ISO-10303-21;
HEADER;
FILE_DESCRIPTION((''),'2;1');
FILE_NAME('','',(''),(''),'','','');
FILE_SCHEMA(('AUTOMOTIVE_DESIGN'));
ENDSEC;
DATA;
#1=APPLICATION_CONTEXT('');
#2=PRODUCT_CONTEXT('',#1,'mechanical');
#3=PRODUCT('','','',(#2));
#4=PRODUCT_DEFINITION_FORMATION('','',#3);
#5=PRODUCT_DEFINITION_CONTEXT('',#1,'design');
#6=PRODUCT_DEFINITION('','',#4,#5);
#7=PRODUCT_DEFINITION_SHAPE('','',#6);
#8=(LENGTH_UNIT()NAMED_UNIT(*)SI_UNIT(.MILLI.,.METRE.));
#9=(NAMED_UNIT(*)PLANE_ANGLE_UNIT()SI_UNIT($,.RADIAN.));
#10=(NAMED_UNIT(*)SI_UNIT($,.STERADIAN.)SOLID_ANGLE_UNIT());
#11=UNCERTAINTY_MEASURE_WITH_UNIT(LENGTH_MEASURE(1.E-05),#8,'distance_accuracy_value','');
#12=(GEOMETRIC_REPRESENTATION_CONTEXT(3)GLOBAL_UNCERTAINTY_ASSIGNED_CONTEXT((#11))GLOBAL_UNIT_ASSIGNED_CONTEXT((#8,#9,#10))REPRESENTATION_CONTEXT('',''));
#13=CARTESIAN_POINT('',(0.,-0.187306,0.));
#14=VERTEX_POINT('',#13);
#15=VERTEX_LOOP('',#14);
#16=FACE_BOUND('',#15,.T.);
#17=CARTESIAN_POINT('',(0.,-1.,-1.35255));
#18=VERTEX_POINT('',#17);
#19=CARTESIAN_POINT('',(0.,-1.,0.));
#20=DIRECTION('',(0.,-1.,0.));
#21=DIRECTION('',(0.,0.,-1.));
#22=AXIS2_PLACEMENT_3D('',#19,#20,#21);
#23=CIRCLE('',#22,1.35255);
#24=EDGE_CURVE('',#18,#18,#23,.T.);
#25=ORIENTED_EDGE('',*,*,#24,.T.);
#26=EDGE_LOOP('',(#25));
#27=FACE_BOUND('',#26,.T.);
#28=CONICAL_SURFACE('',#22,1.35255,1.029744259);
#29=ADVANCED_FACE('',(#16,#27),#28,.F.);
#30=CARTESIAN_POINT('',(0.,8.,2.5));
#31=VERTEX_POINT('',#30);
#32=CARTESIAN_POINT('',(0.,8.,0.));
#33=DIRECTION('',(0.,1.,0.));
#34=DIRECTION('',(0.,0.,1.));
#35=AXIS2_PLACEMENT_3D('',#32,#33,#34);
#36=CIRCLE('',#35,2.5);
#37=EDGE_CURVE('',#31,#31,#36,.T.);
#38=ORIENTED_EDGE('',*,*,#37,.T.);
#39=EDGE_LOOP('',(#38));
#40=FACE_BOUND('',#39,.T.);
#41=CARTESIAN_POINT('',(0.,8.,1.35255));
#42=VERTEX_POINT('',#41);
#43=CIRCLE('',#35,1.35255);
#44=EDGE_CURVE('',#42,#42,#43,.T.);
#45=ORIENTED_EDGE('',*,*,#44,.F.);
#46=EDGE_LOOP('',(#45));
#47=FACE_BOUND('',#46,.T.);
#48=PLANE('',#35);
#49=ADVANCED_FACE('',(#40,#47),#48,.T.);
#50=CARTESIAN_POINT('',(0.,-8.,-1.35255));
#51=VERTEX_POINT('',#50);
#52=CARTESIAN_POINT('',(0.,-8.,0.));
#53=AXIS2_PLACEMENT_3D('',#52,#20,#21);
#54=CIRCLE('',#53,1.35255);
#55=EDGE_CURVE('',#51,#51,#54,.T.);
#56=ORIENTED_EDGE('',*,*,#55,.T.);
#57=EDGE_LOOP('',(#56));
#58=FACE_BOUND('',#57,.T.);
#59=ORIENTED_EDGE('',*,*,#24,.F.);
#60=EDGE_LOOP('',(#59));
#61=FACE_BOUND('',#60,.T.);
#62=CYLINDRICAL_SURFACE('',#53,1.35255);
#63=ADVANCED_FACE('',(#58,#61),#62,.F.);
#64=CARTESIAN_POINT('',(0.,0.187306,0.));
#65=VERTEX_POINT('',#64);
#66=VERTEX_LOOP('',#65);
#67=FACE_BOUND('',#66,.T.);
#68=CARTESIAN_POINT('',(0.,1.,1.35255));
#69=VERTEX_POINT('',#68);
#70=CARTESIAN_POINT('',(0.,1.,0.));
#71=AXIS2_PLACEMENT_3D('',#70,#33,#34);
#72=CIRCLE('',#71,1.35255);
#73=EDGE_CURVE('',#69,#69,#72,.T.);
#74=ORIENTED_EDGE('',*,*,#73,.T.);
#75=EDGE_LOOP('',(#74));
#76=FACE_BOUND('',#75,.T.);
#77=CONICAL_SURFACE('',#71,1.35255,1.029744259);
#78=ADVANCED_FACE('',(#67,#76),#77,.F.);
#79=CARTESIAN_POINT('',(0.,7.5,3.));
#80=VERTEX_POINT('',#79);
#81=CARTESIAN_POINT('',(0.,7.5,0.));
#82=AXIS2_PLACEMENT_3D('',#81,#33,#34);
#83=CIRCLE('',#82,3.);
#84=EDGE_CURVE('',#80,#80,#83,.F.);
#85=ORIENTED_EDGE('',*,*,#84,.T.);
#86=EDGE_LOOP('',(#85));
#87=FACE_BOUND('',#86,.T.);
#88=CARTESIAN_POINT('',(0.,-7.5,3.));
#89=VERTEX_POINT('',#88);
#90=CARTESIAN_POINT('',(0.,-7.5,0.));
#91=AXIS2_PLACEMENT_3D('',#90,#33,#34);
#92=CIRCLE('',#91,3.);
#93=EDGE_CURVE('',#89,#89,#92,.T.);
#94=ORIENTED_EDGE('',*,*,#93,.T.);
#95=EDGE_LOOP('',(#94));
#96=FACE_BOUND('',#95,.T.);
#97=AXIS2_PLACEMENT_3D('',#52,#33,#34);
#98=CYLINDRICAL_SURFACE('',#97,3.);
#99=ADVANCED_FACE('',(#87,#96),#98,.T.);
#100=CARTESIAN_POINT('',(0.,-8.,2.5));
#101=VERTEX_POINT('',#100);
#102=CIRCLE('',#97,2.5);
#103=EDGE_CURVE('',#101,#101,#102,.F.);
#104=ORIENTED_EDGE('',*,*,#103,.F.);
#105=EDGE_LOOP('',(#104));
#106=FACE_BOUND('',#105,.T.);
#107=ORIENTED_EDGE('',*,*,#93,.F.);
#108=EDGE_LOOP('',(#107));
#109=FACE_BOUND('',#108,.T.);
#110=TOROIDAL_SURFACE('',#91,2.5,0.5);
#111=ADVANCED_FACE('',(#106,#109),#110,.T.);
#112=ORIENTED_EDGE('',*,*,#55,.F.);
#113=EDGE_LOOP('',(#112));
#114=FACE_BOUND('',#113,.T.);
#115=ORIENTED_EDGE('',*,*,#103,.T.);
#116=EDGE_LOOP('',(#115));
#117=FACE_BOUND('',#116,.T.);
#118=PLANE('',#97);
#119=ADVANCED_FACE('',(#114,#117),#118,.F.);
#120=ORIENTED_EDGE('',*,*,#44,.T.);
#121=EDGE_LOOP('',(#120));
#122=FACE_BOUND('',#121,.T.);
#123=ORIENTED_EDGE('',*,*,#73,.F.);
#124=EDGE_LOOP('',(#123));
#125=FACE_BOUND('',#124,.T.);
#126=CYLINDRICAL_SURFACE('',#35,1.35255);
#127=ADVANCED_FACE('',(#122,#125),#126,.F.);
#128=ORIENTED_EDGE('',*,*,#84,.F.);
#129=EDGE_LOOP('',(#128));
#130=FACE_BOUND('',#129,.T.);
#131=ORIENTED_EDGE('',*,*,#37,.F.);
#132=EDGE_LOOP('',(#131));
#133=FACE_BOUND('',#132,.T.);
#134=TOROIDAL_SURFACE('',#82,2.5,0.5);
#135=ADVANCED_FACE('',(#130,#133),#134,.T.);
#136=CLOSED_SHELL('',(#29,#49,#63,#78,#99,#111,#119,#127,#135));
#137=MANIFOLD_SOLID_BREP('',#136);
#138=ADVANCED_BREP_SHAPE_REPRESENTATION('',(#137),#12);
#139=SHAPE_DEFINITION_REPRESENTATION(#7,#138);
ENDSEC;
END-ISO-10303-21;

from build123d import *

# Parameters (mm, degrees)
BOSS_EXTRUDE1_DEPTH       = 8
BOSS_EXTRUDE1_DEPTH_BACK  = 8
SKETCH1_R                 = 3
F_6_32_TAPPED_HOLE1_D     = 2.7051
F_6_32_TAPPED_HOLE1_DEPTH = 7
F_6_32_TAPPED_HOLE1_TIP   = 0.81269403
F_6_32_TAPPED_HOLE2_D     = 2.7051
F_6_32_TAPPED_HOLE2_DEPTH = 7
F_6_32_TAPPED_HOLE2_TIP   = 0.81269403
FILLET1_R                 = 0.5


with BuildPart() as part:
    # Sketch1 → Boss-Extrude1 (new, two sides: drawn at the far end of the back side and taken through both)
    with BuildSketch(Plane(origin=(0, 0, 0), x_dir=(1, 0, 0), z_dir=(0, 1, 0)).offset(-BOSS_EXTRUDE1_DEPTH_BACK)):
        Circle(SKETCH1_R)
    extrude(amount=BOSS_EXTRUDE1_DEPTH + BOSS_EXTRUDE1_DEPTH_BACK)

    # #6-32 Tapped Hole1
    with Locations(Plane(origin=(0, 8, 0), x_dir=(1, 0, 0), z_dir=(0, 1, 0))):
        with Locations((0, 0)):
            Hole(F_6_32_TAPPED_HOLE1_D / 2, depth=F_6_32_TAPPED_HOLE1_DEPTH)
            with Locations((0, 0, -(F_6_32_TAPPED_HOLE1_DEPTH + F_6_32_TAPPED_HOLE1_TIP / 2))):  # 118° drill point
                Cone(0, F_6_32_TAPPED_HOLE1_D / 2, F_6_32_TAPPED_HOLE1_TIP, mode=Mode.SUBTRACT)

    # #6-32 Tapped Hole2
    with Locations(Plane(origin=(0, -8, 0), x_dir=(-1, 0, 0), z_dir=(0, -1, 0))):
        with Locations((0, 0)):
            Hole(F_6_32_TAPPED_HOLE2_D / 2, depth=F_6_32_TAPPED_HOLE2_DEPTH)
            with Locations((0, 0, -(F_6_32_TAPPED_HOLE2_DEPTH + F_6_32_TAPPED_HOLE2_TIP / 2))):  # 118° drill point
                Cone(0, F_6_32_TAPPED_HOLE2_D / 2, F_6_32_TAPPED_HOLE2_TIP, mode=Mode.SUBTRACT)

    # Fillet1
    fillet1_edges = [part.edges().sort_by_distance(p)[0] for p in [
        (-3, -8, 0),
        (-3, 8, 0),
    ]]
    fillet(fillet1_edges, radius=FILLET1_R)


solid = part.part
